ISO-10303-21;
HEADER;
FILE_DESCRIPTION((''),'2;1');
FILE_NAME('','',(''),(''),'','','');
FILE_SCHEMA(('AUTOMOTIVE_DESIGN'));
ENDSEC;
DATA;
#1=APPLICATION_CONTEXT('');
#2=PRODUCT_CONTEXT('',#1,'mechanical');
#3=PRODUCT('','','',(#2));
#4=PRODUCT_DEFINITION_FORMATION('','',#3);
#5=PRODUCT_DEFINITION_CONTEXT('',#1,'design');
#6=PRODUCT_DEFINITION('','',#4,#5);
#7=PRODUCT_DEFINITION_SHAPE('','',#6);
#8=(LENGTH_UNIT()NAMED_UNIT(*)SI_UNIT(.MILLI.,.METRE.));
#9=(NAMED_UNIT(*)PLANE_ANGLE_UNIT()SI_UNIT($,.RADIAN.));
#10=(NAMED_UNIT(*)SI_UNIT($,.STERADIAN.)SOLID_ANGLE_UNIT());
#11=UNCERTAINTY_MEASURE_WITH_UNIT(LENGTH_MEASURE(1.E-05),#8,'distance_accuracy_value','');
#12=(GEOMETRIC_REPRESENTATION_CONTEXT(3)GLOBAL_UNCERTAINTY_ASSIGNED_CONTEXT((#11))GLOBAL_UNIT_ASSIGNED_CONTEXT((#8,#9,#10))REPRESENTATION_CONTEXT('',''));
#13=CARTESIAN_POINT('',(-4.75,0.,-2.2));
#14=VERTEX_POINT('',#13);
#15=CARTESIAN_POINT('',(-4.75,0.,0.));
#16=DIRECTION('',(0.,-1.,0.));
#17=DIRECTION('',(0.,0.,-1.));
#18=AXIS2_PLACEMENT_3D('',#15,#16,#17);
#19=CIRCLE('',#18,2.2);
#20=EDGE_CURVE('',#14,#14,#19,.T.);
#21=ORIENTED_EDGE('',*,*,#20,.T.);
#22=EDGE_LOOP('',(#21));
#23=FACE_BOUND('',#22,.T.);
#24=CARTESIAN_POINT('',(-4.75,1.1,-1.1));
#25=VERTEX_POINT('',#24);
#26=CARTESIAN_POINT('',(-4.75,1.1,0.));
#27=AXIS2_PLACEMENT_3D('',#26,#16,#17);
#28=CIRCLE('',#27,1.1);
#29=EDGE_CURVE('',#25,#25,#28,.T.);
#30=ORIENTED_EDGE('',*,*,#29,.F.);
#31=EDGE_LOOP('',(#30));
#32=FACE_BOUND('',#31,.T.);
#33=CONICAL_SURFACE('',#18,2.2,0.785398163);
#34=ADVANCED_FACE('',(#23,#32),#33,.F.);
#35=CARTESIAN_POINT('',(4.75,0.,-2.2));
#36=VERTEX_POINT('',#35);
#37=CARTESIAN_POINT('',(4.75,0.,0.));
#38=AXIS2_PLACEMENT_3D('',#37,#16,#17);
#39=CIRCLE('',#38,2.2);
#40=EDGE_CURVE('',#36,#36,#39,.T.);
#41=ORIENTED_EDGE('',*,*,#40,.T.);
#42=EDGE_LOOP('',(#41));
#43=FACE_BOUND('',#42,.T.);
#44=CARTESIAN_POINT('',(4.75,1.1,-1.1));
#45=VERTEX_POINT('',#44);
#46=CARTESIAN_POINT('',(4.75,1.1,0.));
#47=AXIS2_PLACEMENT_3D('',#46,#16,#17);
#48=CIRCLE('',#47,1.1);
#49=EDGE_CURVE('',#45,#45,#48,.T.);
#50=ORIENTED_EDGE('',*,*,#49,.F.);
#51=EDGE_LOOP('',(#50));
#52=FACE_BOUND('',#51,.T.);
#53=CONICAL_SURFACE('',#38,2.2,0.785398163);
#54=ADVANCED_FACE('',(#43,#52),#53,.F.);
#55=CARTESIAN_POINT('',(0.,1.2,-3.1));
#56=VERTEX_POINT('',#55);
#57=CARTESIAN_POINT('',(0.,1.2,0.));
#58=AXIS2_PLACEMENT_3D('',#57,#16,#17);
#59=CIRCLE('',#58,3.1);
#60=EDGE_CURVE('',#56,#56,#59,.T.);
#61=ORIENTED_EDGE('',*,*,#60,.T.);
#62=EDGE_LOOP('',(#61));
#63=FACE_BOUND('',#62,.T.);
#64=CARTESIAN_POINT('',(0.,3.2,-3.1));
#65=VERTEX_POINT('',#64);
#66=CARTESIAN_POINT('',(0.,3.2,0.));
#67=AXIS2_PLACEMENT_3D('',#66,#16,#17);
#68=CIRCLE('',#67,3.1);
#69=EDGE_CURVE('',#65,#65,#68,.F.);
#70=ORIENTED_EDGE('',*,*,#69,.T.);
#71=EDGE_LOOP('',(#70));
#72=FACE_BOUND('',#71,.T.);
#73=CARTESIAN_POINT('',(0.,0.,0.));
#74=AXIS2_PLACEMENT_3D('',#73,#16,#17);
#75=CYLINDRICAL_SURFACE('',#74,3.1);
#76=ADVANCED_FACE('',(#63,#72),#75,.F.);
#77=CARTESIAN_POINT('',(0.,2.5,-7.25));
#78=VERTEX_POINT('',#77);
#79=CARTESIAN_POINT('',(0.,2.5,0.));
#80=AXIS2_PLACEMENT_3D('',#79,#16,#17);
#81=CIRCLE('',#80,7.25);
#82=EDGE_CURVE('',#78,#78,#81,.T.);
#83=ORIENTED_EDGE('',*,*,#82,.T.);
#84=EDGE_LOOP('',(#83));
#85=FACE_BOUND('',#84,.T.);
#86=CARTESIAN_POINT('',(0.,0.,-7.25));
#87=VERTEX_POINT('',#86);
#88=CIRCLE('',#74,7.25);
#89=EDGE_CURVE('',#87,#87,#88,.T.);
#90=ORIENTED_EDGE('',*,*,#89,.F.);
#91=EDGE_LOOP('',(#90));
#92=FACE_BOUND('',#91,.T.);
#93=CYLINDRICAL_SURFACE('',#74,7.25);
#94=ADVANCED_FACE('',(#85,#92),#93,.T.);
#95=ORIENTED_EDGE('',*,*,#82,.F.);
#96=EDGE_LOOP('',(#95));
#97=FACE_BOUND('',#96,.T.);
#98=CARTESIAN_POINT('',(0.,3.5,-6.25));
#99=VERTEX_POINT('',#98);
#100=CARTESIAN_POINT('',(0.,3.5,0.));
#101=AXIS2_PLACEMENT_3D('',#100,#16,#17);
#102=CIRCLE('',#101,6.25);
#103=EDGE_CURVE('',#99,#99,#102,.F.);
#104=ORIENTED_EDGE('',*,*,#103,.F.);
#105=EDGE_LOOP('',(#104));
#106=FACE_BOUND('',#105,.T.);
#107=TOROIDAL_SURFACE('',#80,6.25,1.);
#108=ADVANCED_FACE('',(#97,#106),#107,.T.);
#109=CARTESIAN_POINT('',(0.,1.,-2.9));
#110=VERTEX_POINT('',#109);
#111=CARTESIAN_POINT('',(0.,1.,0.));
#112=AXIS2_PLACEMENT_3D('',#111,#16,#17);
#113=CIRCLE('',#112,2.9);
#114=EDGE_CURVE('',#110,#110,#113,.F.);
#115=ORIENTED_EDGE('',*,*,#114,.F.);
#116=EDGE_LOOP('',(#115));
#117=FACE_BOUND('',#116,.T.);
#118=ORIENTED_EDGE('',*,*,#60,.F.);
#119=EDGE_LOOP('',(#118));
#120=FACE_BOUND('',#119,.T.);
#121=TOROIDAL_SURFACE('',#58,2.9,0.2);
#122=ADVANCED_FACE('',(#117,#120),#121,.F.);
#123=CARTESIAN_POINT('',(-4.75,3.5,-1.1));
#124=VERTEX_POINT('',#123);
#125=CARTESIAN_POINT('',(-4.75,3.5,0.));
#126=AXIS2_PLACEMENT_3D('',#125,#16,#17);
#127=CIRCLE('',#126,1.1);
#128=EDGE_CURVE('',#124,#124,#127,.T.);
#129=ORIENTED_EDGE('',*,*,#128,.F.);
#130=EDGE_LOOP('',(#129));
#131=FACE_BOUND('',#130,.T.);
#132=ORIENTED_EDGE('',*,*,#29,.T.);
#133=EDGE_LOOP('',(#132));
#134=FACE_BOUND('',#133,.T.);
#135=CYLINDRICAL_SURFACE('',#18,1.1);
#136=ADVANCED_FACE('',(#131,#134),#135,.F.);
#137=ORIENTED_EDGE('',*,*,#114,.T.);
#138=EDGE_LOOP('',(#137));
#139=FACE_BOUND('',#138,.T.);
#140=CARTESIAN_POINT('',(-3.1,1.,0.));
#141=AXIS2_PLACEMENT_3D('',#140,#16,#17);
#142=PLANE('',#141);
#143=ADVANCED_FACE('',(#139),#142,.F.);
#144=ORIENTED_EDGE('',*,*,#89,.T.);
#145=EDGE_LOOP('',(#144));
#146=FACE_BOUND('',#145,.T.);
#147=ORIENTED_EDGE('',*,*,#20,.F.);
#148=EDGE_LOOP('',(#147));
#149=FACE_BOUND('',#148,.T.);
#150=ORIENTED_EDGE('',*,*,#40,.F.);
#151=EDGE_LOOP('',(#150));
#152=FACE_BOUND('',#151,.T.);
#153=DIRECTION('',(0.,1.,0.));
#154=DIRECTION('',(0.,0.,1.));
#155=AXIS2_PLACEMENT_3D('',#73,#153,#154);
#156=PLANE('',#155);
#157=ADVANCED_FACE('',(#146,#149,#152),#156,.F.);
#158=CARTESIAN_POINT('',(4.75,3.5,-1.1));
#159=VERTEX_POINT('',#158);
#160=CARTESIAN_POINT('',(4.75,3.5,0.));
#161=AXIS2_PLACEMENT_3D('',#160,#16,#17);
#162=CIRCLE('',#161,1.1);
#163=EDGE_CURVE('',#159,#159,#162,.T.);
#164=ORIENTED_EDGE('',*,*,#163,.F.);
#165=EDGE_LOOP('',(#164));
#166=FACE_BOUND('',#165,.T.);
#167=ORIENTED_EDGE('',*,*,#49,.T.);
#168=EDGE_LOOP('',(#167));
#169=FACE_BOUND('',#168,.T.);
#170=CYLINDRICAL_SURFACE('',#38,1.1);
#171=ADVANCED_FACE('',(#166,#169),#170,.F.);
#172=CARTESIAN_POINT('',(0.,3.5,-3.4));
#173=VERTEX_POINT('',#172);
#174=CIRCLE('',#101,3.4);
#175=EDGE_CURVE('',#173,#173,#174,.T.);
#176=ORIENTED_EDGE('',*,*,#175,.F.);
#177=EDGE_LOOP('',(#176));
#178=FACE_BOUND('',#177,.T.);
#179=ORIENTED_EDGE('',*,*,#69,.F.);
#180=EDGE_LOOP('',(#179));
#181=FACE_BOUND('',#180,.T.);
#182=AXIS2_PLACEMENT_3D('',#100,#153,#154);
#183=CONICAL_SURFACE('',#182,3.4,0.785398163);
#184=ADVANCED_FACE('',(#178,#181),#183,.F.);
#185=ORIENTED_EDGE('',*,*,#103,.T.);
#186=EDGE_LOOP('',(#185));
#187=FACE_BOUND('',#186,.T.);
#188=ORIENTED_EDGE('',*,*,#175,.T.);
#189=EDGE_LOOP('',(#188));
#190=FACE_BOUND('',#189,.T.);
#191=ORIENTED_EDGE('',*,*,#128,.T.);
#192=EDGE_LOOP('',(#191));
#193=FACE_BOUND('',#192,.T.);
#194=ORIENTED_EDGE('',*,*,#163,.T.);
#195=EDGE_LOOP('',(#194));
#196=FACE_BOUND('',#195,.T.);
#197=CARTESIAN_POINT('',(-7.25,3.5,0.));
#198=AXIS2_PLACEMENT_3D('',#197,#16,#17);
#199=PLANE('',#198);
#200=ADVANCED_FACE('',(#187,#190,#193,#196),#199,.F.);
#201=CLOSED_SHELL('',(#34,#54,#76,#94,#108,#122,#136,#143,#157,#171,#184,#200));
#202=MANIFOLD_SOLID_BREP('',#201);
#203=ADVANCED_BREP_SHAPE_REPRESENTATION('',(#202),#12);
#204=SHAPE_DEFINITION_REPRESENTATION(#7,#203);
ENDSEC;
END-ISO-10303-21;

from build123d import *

# Parameters (mm, degrees)
CHAMFER2_SIZE     = 0.3
CIRPATTERN1_COUNT = 2
FILLET2_R         = 0.2
FILLET3_R         = 1


with BuildPart() as part:
    # Sketch1 → Revolve1 (revolve)
    with BuildSketch(Plane.XY, mode=Mode.PRIVATE) as revolve1_sk:
        Polygon((0, 0), (-7.25, 0), (-7.25, 3.5), (-3.1, 3.5), (-3.1, 1), (0, 1), align=None)
    revolve(revolve1_sk.sketch.rotate(Axis((0, 0, 0), (0, 1, 0)), 270), axis=Axis((0, 0, 0), (0, 1, 0)))

    # Chamfer2
    chamfer2_edges = [part.edges().sort_by_distance(p)[0] for p in [
        (0, 3.5, 3.1),
    ]]
    chamfer(chamfer2_edges, length=CHAMFER2_SIZE)

    # Sketch4 → CSK for M2 Flat Head Machine Screw1 (revolve, cut)
    with BuildSketch(Plane(origin=(-4.75, 0, 0), x_dir=(0, 0, -1), z_dir=(1, 0, 0))):
        Polygon((0, 0), (0, 5.660946681), (1.1, 5), (1.1, 1.1), (2.2, 0), align=None)
    csk_for_m2_flat_head_machine_screw1 = revolve(axis=Axis((-4.75, -6.35, 0), (0, 1, 0)), mode=Mode.SUBTRACT)

    # CirPattern1: CSK for M2 Flat Head Machine Screw1 ×2 about axis
    cirpattern1_axis = Axis((0, 0, 0), (0, 1, 0))
    for i in range(1, CIRPATTERN1_COUNT):
        add(csk_for_m2_flat_head_machine_screw1.rotate(cirpattern1_axis, i * 360 / CIRPATTERN1_COUNT), mode=Mode.SUBTRACT)

    # Fillet2
    fillet2_edges = [part.edges().sort_by_distance(p)[0] for p in [
        (0, 1, 3.1),
    ]]
    fillet(fillet2_edges, radius=FILLET2_R)

    # Fillet3
    fillet3_edges = [part.edges().sort_by_distance(p)[0] for p in [
        (0, 3.5, 7.25),
    ]]
    fillet(fillet3_edges, radius=FILLET3_R)


solid = part.part
